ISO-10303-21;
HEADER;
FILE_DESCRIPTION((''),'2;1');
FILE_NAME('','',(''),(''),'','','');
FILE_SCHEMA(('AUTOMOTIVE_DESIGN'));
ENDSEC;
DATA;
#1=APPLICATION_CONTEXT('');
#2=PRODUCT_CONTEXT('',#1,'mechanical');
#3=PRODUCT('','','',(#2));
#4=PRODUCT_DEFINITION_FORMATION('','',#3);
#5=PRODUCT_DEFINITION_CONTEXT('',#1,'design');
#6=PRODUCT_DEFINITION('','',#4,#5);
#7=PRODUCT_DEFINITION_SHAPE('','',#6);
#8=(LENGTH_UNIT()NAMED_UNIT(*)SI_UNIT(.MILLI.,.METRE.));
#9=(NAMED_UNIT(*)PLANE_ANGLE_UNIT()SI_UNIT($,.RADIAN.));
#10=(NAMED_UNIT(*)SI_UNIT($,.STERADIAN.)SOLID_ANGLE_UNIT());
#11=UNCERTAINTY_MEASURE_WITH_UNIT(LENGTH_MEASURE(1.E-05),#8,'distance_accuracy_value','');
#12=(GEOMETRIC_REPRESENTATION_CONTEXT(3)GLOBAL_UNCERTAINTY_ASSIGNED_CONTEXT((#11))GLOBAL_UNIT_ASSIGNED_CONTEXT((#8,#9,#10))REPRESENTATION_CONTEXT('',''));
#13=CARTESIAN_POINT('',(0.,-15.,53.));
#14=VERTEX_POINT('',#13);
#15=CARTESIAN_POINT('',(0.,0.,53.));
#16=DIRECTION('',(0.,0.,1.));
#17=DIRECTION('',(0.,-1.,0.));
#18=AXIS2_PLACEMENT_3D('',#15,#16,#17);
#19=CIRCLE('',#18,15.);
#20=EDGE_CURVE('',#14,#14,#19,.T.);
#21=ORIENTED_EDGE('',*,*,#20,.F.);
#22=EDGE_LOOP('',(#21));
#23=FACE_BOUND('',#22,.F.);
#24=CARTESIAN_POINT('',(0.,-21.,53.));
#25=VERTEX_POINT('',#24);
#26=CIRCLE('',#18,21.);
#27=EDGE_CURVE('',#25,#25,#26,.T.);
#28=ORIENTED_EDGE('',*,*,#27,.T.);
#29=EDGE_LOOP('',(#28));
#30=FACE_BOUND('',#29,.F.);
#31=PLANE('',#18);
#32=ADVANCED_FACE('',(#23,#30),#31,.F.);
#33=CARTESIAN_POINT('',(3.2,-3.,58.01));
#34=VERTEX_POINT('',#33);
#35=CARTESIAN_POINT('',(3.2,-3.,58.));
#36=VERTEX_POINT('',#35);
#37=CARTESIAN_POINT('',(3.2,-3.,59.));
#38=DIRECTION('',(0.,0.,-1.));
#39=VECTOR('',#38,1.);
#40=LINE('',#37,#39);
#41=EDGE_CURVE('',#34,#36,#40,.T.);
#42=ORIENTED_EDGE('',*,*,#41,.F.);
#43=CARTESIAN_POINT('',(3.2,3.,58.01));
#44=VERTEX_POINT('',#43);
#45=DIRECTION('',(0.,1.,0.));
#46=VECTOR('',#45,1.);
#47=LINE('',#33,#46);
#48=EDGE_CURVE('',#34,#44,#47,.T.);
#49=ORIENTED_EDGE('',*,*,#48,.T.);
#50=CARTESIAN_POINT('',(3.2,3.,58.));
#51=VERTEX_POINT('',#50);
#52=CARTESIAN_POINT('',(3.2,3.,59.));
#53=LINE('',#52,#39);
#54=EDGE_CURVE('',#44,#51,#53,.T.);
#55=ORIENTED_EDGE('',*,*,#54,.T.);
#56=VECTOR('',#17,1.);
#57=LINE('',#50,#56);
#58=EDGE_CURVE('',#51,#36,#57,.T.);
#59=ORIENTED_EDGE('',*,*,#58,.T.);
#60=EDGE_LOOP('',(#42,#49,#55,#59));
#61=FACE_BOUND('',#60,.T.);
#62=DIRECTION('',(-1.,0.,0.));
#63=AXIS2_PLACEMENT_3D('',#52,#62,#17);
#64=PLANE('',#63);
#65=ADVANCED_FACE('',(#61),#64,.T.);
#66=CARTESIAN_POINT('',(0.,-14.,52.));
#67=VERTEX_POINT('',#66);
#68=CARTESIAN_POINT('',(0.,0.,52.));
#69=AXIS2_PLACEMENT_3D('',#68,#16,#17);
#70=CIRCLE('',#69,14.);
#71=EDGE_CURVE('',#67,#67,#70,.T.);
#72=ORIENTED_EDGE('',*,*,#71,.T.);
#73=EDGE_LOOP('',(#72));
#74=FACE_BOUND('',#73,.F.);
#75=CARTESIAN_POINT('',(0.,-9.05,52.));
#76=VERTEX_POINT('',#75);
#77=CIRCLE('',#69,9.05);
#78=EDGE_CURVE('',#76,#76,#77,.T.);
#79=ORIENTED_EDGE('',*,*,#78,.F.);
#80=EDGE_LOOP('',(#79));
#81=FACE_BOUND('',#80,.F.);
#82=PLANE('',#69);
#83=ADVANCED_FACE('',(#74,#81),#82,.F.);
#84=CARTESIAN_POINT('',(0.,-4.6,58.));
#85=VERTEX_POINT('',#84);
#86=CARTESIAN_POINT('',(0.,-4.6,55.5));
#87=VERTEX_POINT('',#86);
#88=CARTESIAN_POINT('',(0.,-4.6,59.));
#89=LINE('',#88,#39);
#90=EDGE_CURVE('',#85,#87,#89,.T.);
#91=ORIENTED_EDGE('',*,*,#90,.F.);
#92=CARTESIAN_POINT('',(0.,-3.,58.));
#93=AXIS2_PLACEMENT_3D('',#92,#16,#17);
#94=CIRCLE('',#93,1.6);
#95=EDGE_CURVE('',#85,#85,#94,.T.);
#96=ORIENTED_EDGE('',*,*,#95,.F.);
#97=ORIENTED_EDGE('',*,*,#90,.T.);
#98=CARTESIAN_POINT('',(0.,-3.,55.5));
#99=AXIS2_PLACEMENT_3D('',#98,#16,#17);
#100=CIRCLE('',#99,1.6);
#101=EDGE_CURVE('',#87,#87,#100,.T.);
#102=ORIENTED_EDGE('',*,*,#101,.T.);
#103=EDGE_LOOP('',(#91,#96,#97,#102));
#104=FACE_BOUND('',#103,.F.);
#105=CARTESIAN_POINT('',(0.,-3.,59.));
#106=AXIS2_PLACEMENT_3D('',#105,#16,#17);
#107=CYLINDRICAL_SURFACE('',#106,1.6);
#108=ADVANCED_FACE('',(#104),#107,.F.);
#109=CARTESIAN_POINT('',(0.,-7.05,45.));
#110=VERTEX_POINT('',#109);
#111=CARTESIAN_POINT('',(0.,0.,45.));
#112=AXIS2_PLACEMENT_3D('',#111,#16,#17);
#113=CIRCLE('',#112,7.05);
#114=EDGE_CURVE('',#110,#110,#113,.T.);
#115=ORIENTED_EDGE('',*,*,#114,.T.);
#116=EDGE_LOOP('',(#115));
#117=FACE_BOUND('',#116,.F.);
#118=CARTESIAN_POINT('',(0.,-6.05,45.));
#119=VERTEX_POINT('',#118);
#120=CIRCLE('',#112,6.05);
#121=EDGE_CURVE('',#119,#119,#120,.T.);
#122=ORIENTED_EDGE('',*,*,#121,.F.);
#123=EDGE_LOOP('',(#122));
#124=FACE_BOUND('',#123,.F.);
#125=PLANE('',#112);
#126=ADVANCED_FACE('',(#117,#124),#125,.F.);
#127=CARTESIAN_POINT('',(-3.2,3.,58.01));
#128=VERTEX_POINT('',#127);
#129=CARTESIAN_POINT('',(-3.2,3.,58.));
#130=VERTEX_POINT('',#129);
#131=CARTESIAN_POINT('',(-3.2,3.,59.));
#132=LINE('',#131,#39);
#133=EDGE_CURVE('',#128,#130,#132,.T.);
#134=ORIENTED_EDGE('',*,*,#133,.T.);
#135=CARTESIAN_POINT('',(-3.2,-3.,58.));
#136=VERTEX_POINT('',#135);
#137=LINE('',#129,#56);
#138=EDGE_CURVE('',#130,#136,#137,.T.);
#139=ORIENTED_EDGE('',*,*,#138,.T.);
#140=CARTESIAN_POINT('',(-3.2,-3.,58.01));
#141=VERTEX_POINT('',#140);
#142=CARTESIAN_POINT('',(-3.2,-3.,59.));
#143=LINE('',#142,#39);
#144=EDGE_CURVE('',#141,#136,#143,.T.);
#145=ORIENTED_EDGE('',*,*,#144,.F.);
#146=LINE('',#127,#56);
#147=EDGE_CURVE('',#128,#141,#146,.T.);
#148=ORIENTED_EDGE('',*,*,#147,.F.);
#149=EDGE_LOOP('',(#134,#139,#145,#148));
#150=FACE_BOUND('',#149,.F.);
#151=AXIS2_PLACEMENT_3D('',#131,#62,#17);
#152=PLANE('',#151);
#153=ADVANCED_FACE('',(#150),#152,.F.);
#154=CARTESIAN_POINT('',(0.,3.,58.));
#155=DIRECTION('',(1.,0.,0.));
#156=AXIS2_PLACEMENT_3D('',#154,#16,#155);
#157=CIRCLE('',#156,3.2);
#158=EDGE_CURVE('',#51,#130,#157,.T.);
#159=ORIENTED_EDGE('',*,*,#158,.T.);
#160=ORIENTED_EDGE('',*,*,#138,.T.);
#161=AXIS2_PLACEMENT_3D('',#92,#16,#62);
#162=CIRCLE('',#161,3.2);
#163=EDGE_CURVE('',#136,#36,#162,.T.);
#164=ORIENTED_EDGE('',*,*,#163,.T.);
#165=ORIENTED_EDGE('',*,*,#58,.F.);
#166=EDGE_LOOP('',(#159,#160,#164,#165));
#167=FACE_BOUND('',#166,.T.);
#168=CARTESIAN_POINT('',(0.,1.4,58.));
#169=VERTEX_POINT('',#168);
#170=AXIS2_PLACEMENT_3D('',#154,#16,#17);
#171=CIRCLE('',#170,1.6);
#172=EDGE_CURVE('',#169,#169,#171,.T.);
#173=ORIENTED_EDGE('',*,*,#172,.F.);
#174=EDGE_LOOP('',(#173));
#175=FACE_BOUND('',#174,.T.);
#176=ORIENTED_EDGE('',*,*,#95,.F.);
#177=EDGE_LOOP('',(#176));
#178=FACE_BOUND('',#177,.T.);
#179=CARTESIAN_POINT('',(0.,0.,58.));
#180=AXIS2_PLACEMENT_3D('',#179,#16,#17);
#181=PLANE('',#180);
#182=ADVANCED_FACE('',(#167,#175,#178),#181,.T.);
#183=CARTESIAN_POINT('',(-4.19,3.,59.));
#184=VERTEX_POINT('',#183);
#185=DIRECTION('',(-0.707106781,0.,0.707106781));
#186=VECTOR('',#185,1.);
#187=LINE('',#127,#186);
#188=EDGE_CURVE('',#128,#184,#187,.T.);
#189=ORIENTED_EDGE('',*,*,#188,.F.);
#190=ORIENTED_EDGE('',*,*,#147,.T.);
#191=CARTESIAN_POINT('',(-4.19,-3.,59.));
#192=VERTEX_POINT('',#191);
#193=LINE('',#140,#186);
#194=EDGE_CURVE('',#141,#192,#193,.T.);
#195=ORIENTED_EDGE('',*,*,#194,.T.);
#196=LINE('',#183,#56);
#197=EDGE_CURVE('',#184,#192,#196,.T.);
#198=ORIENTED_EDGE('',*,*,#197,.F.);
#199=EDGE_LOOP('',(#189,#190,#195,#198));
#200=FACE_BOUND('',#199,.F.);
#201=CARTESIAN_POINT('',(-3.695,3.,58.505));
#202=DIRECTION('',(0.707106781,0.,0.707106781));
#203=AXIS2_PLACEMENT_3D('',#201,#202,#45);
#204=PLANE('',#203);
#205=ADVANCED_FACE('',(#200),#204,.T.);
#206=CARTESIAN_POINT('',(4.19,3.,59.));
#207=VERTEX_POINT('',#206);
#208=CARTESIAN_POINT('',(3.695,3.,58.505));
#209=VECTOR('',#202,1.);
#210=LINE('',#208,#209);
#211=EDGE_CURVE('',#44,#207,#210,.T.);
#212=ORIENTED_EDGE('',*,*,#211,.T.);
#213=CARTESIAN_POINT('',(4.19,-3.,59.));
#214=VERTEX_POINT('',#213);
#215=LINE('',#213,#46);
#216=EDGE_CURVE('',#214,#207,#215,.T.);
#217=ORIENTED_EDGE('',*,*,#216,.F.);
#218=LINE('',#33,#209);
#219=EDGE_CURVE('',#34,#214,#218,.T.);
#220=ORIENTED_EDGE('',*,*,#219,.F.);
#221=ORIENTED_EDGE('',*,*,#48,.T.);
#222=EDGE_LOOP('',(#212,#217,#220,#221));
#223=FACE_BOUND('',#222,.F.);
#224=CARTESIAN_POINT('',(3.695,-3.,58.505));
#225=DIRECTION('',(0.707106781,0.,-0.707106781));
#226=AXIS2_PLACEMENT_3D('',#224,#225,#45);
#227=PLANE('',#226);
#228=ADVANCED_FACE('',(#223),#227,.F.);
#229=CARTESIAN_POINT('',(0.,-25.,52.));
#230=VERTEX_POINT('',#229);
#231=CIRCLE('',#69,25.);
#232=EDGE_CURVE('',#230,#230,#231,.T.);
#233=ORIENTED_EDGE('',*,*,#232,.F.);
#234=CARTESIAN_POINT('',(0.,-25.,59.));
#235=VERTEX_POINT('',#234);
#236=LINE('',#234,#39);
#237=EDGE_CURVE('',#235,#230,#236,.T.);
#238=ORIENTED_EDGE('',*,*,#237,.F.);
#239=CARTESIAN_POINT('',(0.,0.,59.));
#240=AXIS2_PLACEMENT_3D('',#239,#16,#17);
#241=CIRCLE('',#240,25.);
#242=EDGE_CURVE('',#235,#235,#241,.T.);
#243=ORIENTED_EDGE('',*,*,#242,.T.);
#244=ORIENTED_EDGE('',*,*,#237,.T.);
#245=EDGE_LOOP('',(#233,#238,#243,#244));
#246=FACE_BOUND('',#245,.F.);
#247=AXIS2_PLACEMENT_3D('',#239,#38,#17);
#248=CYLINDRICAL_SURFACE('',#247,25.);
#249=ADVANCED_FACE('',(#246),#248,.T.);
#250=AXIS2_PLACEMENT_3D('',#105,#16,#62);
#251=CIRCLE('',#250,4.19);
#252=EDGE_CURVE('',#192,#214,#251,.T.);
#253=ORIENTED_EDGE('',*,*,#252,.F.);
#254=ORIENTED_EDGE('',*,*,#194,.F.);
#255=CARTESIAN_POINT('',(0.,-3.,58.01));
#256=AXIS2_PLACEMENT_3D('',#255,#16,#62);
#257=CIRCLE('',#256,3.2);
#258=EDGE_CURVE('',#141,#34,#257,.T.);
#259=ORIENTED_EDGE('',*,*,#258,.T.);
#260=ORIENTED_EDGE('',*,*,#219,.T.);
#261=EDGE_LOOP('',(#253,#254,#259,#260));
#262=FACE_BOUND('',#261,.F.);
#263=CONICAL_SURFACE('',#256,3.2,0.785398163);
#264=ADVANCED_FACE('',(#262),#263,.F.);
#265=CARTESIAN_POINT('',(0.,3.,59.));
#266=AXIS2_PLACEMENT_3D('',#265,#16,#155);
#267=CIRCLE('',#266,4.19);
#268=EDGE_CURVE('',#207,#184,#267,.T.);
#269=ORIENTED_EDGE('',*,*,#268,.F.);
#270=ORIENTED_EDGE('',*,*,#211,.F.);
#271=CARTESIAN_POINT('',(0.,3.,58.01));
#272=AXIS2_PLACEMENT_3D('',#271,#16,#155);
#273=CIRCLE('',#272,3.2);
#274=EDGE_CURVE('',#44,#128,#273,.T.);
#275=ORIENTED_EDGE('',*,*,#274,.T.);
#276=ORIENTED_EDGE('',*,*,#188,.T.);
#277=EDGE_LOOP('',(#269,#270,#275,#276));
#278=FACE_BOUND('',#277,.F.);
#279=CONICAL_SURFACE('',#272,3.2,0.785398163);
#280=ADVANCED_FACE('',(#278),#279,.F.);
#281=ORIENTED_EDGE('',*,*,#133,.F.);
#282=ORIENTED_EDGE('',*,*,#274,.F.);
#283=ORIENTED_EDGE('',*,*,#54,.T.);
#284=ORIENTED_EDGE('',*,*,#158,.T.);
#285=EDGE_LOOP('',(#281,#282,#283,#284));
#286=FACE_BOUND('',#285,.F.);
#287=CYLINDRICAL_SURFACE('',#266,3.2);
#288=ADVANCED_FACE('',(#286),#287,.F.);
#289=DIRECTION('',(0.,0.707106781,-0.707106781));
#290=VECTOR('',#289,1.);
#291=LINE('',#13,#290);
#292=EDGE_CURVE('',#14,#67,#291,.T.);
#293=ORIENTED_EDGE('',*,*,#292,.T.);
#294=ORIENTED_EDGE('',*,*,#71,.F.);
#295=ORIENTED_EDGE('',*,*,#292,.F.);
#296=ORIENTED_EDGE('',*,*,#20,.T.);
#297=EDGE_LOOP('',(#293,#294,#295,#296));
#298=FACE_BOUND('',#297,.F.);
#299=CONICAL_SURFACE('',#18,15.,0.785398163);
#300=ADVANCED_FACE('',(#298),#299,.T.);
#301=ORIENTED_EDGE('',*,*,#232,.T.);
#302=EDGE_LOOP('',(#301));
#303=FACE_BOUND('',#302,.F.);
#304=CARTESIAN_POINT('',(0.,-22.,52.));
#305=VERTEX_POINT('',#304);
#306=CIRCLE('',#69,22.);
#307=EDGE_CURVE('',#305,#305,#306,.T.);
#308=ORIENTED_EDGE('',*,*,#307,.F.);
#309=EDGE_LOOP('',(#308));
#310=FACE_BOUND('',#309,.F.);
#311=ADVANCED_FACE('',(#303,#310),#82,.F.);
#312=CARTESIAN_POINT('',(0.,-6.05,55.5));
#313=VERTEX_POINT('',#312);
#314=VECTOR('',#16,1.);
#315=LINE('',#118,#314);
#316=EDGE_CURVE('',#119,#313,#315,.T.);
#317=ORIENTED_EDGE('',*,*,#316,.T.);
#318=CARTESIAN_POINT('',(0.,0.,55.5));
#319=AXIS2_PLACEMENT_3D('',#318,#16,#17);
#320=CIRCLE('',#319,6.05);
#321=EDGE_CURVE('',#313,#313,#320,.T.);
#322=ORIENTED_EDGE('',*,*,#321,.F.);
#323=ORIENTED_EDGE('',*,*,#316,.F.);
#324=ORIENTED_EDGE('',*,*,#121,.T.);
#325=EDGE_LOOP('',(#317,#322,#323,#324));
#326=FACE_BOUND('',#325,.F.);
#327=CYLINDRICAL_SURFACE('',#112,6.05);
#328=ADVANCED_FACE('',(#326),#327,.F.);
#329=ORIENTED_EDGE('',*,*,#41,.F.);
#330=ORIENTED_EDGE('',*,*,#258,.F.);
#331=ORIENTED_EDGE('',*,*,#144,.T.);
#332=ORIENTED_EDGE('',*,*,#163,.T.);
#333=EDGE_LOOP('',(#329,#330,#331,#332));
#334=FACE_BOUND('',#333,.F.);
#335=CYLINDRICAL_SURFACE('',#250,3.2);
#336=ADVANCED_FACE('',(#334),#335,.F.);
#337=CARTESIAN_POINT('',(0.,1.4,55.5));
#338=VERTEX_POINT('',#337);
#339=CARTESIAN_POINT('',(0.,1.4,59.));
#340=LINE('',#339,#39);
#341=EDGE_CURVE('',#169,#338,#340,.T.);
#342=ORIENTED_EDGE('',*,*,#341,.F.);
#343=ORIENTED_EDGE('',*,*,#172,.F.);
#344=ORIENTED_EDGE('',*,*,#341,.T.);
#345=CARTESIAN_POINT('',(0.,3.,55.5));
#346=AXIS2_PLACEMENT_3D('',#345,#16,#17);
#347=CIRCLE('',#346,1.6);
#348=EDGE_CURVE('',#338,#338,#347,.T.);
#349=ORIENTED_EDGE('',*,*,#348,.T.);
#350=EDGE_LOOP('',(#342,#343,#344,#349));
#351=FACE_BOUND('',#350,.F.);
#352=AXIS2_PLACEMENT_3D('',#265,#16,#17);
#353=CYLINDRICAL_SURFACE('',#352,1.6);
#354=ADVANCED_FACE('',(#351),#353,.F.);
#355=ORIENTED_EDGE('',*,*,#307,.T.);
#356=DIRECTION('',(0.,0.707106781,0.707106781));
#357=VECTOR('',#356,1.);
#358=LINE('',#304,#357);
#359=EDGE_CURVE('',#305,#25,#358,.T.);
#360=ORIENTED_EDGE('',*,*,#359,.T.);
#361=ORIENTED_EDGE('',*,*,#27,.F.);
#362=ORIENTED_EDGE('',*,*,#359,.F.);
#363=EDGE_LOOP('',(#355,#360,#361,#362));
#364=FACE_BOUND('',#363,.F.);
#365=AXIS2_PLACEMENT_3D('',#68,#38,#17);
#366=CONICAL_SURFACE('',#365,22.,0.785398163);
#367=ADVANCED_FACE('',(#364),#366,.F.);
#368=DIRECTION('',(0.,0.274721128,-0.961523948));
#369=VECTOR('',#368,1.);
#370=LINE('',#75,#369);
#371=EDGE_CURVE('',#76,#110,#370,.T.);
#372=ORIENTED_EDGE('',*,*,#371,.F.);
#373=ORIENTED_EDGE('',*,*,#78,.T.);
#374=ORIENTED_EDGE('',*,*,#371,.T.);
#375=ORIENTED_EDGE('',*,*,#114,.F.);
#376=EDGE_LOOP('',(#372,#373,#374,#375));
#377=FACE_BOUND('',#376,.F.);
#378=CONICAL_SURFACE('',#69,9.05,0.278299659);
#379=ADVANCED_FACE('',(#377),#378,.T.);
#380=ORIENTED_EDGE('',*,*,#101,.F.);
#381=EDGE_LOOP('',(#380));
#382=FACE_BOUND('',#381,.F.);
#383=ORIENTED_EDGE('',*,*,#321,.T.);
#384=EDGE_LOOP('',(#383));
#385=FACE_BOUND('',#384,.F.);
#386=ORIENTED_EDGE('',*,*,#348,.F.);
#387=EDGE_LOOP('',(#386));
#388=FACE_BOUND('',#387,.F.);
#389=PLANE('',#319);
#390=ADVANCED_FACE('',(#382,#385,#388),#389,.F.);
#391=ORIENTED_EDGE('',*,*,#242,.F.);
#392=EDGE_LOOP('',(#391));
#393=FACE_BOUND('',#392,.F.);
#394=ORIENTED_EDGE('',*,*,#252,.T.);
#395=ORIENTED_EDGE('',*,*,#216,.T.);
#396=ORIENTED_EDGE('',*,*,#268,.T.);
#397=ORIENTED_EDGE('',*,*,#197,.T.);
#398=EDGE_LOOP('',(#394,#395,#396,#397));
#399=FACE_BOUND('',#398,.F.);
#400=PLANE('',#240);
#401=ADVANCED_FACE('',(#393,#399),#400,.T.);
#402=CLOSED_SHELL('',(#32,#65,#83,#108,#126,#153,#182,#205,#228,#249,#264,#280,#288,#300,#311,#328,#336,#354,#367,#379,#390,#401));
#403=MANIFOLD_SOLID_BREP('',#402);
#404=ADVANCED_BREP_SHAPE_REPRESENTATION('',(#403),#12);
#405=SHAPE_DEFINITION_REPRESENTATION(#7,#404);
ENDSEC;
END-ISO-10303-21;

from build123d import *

# Parameters (mm, degrees)
SKETCH044_R        = 1.6
POCKET029_DEPTH    = 14.001
POCKET030_DEPTH    = 1
CHAMFER026025_SIZE = 0.99


with BuildPart() as part:
    # Sketch043 → Revolution001 (revolve)
    with BuildSketch(Plane.YZ):
        Polygon((-6.05, 0), (-6.05, 10.5), (0, 10.5), (0, 14), (-25, 14), (-25, 7), (-22, 7), (-21, 8), (-15, 8), (-14, 7), (-9.05, 7), (-7.05, 0), align=None)
    revolve(axis=Axis((0, 0, 0), (0, 0, 1)))

    # Sketch044 (on Face3 of Revolution001) → Pocket029 (cut, through all)
    with BuildSketch(Plane(origin=(0, 0, 14), x_dir=(0, -1, 0), z_dir=(0, 0, 1))):
        with Locations((-3, 0)):
            Circle(SKETCH044_R)
        with Locations((3, 0)):
            Circle(SKETCH044_R)
    extrude(amount=-POCKET029_DEPTH, mode=Mode.SUBTRACT)

    # Sketch045 (on Face8 of Pocket029) → Pocket030 (cut)
    with BuildSketch(Plane(origin=(0, 0, 14), x_dir=(0, -1, 0), z_dir=(0, 0, 1))):
        with BuildLine():
            ThreePointArc((-3, 3.2), (-6.2, 0), (-3, -3.2))
            Line((-3, -3.2), (3, -3.2))
            ThreePointArc((3, -3.2), (6.2, 0), (3, 3.2))
            Line((-3, 3.2), (3, 3.2))
        make_face()
    extrude(amount=-POCKET030_DEPTH, mode=Mode.SUBTRACT)

    # Chamfer026025
    chamfer026025_edges = [part.edges().sort_by_distance(p)[0] for p in [
        (0, -6.2, 14),
        (-3.2, 0, 14),
        (0, 6.2, 14),
        (3.2, 0, 14),
    ]]
    chamfer(chamfer026025_edges, length=CHAMFER026025_SIZE)


with BuildPart() as part_1:
    # Body001001001002003010002 placement: moved
    add(part.part.moved(Location((0, 0, 45))))


solid = part_1.part
